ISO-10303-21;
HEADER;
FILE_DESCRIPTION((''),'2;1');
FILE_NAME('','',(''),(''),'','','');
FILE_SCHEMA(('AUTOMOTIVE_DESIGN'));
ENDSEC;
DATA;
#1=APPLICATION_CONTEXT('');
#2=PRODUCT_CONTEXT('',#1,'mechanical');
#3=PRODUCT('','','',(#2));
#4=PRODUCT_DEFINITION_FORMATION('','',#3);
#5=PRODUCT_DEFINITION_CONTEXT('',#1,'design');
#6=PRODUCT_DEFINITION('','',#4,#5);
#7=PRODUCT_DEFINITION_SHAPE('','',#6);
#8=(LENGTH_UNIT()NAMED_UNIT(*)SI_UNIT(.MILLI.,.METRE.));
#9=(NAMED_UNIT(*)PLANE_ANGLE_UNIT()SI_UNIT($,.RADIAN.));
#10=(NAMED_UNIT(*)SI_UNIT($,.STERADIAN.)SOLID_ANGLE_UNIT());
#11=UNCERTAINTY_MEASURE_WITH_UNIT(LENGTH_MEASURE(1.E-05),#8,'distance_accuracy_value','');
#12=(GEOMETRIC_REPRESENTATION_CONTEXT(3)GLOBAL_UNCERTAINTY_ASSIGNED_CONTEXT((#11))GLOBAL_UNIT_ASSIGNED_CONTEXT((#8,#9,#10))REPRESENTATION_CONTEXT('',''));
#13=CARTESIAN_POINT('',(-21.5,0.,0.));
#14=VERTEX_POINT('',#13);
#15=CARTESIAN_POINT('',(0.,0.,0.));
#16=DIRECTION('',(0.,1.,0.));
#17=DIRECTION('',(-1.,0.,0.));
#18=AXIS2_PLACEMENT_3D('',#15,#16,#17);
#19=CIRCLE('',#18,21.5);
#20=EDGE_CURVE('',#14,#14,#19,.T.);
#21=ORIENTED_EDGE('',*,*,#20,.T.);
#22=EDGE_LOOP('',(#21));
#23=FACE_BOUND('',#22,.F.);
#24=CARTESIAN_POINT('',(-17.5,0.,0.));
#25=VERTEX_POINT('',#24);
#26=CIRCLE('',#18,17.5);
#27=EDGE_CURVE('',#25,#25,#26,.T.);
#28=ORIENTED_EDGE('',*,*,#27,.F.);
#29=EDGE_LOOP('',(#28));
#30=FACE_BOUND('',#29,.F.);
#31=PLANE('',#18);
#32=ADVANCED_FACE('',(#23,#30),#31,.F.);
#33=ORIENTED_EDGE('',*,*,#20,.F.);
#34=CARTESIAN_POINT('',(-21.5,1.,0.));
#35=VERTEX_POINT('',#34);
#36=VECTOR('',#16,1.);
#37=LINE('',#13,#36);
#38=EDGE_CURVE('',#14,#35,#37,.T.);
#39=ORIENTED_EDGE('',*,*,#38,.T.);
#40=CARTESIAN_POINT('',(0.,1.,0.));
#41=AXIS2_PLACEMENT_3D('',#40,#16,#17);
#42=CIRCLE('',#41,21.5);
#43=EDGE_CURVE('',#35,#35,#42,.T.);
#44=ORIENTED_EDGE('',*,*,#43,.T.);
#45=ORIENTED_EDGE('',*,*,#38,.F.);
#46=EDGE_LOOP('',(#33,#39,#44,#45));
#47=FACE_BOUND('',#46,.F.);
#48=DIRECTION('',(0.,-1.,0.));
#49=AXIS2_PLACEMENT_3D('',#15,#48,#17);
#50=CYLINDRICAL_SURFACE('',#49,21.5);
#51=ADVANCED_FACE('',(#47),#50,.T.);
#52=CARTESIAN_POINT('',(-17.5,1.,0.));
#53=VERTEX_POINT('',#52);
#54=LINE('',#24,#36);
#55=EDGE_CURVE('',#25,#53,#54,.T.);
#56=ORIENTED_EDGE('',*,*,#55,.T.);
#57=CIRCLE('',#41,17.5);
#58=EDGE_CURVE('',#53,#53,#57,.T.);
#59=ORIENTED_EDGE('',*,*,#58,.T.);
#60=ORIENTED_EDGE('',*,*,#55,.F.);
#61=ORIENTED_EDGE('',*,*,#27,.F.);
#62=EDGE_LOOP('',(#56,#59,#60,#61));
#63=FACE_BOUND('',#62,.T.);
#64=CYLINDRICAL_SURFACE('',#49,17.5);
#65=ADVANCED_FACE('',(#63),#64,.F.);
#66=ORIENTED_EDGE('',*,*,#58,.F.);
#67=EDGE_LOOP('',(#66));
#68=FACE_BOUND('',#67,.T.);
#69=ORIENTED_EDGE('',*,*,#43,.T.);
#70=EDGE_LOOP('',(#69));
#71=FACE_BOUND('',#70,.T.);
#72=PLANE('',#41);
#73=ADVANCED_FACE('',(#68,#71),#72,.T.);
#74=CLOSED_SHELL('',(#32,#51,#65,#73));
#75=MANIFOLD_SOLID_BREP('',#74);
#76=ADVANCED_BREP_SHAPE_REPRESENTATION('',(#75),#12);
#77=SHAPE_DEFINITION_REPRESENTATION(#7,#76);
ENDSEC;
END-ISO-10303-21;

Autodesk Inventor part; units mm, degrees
ref_plane "YZ Plane" through (0, 0, 0) normal (1, 0, 0) x (0, 1, 0)
ref_plane "XZ Plane" through (0, 0, 0) normal (0, 1, 0) x (-1, 0, 0)
ref_plane "XY Plane" through (0, 0, 0) normal (0, 0, 1) x (1, 0, 0)
sketch "Эскиз1" plane through (0, 0, 0) normal (0, 1, 0) x (-1, 0, 0)
  circle A0 centre (0, 0) radius 21.5
  circle A1 centre (0, 0) radius 17.5
  dimension "d0" = 43
  dimension "d1" = 35
extrude "Выдавливание1" add sketch "Эскиз1" along normal blind 1
properties part number "кольцо для зеркала"
